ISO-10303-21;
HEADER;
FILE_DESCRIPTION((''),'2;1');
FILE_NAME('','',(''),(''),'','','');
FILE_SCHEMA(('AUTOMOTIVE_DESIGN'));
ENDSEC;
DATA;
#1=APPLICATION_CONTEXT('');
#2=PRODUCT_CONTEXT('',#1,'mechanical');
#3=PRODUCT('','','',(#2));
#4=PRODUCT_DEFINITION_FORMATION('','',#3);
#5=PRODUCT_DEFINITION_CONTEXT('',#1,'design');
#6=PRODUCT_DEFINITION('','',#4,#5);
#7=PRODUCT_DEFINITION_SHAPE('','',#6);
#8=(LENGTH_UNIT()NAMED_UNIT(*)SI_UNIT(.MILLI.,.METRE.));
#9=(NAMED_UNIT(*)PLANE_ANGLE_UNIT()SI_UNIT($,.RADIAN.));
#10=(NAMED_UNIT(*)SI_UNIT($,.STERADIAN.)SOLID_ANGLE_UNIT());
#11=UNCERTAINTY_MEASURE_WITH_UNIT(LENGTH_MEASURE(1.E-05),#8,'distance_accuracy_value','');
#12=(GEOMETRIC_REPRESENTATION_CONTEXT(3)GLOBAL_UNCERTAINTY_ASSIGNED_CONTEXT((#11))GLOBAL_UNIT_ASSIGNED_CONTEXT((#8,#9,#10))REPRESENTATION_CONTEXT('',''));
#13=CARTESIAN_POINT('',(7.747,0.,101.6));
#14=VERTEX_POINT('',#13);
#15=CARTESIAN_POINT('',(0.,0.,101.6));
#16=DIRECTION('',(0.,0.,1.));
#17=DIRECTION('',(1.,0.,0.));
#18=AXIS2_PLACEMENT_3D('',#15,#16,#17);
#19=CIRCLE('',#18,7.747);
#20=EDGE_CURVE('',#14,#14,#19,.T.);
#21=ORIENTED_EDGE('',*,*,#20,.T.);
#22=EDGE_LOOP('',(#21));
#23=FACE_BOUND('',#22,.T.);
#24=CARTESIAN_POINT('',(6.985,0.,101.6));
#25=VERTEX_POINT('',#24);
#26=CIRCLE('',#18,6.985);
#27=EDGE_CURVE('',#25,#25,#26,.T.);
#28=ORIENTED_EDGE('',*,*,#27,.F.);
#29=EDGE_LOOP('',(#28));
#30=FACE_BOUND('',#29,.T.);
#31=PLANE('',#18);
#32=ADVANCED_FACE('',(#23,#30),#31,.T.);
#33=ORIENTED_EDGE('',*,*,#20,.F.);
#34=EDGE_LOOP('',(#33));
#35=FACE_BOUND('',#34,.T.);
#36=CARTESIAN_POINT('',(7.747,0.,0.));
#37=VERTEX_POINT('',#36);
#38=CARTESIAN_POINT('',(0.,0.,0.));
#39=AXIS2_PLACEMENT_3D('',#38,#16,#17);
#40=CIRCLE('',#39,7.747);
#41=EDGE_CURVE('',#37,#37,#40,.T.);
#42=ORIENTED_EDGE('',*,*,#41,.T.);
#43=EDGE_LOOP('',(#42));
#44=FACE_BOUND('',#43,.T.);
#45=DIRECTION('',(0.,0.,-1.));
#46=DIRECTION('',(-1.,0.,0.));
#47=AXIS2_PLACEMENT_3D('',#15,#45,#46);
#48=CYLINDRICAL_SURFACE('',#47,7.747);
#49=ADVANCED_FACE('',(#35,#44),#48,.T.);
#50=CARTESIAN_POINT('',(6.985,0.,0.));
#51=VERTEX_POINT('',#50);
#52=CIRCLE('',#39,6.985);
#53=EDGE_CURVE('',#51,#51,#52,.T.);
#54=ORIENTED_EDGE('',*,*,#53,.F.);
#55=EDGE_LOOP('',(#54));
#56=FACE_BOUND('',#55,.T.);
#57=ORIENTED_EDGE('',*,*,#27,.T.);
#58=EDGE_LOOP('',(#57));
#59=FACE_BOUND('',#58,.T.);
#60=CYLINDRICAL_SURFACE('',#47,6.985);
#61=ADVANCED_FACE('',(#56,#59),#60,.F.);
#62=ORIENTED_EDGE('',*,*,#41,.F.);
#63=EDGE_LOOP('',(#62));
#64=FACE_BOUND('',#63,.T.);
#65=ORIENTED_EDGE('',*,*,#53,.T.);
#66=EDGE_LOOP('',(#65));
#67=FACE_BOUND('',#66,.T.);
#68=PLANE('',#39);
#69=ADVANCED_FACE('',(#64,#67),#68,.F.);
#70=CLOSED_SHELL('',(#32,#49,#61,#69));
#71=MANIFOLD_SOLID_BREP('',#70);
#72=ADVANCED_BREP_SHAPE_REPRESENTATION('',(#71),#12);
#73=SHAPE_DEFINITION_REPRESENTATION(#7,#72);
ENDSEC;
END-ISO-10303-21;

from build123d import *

# Parameters (mm, degrees)
SKETCH1_R           = 7.747
SKETCH1_R_2         = 6.985
BOSS_EXTRUDE1_DEPTH = 101.6


with BuildPart() as part:
    # Sketch1 → Boss-Extrude1 (new body)
    with BuildSketch(Plane.XY):
        Circle(SKETCH1_R)
        Circle(SKETCH1_R_2, mode=Mode.SUBTRACT)
    extrude(amount=BOSS_EXTRUDE1_DEPTH)


solid = part.part
